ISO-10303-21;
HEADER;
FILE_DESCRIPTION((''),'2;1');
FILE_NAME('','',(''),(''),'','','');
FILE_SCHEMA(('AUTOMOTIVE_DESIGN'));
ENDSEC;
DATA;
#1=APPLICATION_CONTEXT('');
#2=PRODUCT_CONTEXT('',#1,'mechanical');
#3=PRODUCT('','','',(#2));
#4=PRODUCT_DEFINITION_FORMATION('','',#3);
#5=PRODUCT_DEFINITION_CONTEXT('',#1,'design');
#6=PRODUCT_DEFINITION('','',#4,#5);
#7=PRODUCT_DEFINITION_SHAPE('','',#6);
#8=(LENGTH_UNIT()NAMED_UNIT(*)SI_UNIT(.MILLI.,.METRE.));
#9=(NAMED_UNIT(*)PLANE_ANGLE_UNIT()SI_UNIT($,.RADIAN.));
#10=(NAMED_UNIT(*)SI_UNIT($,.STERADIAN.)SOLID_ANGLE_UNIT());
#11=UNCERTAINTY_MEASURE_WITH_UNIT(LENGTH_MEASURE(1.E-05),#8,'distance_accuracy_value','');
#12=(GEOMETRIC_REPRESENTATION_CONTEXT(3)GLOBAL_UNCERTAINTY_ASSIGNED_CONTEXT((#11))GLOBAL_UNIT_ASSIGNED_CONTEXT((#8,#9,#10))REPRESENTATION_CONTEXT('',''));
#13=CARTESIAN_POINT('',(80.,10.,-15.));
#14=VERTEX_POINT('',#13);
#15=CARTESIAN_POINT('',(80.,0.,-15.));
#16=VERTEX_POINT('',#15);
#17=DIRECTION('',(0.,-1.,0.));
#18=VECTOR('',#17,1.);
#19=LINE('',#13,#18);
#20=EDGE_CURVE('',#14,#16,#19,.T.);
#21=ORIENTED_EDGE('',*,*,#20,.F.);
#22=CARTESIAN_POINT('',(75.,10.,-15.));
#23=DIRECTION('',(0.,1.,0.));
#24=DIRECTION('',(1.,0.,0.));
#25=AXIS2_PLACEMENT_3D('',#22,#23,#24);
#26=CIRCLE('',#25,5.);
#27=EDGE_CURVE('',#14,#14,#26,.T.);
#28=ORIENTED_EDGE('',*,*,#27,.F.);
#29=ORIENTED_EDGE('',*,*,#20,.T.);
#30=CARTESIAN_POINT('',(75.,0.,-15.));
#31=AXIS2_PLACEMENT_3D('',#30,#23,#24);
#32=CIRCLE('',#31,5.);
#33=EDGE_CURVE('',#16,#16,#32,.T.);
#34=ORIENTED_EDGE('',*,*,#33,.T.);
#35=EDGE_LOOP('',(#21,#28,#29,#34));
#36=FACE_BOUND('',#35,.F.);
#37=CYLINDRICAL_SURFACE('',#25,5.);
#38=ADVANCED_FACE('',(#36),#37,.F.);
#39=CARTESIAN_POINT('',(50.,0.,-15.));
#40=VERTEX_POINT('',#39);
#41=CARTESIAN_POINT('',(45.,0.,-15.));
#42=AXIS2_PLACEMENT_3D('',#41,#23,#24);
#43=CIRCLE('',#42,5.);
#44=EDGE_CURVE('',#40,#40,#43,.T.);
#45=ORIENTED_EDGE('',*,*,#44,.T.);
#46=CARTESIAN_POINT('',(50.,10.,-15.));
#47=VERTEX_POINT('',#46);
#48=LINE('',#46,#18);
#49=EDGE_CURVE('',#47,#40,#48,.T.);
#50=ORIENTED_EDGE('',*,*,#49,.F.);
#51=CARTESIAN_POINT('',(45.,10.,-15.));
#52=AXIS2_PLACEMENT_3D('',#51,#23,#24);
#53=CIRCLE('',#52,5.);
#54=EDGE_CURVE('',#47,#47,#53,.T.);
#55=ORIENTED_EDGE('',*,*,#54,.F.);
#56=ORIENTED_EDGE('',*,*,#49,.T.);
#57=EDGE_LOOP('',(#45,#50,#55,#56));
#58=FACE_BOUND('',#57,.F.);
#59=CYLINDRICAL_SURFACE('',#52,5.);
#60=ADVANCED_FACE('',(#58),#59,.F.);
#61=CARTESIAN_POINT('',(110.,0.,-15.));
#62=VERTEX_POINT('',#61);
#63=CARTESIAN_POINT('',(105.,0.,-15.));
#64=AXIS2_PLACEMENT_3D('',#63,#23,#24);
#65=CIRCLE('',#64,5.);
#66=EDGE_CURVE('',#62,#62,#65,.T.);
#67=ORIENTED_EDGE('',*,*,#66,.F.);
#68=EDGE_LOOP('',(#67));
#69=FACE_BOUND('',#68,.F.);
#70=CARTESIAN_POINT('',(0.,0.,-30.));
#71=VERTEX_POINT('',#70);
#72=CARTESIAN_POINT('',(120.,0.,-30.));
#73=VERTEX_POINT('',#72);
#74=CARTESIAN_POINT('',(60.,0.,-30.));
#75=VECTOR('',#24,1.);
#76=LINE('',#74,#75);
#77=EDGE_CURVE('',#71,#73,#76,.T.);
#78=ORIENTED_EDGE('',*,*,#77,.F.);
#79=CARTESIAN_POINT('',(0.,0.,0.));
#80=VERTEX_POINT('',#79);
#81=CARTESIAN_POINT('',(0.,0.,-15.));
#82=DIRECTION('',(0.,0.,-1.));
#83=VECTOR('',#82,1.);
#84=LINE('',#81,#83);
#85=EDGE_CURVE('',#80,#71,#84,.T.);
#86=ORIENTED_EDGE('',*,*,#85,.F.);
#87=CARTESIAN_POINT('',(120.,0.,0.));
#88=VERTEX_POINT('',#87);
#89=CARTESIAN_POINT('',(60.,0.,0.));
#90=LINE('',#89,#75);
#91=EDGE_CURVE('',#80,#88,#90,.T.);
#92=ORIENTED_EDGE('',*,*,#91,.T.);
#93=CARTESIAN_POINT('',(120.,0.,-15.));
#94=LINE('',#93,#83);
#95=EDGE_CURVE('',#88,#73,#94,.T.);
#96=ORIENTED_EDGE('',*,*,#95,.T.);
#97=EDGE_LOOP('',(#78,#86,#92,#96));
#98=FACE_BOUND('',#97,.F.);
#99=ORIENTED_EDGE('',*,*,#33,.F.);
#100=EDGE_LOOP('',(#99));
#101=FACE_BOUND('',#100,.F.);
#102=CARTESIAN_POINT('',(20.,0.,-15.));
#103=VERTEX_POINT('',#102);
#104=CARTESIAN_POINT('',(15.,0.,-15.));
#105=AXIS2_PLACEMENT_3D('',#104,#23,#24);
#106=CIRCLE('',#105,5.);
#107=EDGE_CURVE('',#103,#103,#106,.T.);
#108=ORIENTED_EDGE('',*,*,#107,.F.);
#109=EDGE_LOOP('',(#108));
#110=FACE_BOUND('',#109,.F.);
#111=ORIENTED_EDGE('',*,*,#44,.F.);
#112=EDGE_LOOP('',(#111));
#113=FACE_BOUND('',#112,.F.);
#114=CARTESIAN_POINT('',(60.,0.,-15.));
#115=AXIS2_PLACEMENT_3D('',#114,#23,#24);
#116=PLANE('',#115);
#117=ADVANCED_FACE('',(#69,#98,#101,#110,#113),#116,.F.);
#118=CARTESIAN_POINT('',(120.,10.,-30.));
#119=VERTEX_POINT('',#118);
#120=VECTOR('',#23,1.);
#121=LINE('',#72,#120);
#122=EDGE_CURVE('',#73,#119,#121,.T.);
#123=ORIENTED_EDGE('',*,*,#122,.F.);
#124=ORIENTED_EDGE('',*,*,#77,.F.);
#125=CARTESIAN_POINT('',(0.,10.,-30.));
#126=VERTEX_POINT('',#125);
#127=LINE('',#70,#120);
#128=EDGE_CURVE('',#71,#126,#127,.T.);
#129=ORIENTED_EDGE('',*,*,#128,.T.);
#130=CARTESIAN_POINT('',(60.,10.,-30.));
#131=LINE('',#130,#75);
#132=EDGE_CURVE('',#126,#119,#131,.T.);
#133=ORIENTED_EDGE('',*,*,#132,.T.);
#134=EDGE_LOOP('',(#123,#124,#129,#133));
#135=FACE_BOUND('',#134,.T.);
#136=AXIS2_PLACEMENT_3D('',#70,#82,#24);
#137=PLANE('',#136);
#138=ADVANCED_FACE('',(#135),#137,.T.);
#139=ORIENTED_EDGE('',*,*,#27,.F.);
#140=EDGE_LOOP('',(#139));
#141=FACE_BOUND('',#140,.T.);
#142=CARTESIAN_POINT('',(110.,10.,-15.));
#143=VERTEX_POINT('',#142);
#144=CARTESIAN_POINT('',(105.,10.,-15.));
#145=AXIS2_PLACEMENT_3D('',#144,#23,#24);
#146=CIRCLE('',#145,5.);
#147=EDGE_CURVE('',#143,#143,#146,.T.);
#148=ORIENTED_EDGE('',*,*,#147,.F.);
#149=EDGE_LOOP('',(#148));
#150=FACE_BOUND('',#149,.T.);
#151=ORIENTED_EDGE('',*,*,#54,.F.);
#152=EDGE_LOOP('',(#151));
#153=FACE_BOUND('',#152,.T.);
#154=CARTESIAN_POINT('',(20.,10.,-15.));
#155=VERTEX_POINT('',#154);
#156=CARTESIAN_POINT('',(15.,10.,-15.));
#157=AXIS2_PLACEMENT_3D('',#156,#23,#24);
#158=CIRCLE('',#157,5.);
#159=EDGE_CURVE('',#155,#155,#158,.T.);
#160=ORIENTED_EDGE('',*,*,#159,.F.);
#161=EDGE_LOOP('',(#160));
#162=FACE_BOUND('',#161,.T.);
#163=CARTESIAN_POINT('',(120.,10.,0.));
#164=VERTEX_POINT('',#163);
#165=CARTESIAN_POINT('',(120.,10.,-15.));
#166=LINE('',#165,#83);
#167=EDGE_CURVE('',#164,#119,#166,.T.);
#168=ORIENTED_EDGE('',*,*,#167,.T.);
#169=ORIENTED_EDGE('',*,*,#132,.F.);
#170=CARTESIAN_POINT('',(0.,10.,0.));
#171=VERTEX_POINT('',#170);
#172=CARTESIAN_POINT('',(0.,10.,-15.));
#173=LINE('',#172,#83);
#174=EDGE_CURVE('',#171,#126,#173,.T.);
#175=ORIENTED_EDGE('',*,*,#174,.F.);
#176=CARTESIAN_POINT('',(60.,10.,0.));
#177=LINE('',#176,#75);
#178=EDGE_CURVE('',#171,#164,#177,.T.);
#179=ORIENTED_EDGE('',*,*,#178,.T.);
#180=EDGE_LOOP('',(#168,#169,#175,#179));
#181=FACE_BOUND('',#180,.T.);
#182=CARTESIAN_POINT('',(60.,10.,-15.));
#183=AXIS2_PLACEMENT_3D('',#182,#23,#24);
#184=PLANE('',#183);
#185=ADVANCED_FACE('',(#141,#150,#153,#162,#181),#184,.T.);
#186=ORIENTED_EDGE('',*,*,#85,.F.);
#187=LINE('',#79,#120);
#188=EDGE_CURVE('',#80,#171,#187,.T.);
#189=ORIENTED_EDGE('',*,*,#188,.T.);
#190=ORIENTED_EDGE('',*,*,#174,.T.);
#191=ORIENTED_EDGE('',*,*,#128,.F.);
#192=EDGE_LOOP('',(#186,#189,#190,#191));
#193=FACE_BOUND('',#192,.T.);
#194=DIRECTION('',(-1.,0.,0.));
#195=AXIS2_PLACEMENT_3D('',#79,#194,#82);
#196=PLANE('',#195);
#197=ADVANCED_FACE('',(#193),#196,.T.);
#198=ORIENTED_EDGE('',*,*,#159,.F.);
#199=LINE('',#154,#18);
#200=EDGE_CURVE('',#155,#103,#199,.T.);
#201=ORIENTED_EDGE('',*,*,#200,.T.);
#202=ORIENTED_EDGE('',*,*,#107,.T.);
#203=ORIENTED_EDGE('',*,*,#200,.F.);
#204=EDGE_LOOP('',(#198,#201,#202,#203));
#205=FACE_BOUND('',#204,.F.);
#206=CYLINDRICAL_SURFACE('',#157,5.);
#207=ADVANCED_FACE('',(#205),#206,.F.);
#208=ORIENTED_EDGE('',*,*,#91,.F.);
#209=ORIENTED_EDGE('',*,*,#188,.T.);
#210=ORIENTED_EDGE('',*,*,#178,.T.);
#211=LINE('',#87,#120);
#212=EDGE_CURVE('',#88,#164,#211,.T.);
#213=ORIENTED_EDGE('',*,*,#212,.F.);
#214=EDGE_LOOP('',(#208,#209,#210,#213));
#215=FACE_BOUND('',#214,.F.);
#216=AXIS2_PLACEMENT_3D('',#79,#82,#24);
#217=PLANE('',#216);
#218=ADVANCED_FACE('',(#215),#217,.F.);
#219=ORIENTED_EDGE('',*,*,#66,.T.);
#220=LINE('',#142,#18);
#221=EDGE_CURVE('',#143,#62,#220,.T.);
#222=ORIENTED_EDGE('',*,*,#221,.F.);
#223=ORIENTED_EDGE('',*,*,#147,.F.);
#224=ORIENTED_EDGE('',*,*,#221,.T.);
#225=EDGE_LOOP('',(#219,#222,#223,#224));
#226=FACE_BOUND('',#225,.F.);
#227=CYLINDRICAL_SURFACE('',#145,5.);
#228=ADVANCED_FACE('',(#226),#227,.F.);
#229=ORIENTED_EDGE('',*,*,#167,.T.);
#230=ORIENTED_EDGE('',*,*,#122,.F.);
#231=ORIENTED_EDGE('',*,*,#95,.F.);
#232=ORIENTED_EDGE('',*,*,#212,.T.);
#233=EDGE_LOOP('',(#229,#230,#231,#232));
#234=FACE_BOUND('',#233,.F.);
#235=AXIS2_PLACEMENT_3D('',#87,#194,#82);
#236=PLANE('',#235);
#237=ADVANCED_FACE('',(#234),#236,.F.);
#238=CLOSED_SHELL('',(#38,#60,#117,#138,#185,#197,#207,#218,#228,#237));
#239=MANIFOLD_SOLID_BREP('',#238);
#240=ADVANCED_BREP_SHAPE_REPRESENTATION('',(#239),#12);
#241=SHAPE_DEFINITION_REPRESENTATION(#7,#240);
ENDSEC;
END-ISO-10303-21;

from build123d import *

# Parameters (mm, degrees)
SKETCH1_W            = 120
SKETCH1_H            = 30
BOSS_EXTRUDE1_DEPTH  = 10
SKETCH2_R            = 5
CUT_EXTRUDE1_DEPTH   = 11
LPATTERN1_COUNT      = 4
LPATTERN1_PITCH      = 30
LPATTERN1_COUNT_DIR2 = 4
LPATTERN1_PITCH_DIR2 = 30


with BuildPart() as part:
    # Sketch1 → Boss-Extrude1 (new body)
    with BuildSketch(Plane(origin=(0, 0, 0), x_dir=(1, 0, 0), z_dir=(0, 1, 0))):
        with Locations((60, 15)):
            Rectangle(SKETCH1_W, SKETCH1_H)
    extrude(amount=BOSS_EXTRUDE1_DEPTH)

    # Sketch2 → Cut-Extrude1 (cut, through all)
    with BuildSketch(Plane(origin=(0, 10, 0), x_dir=(1, 0, 0), z_dir=(0, 1, 0))):
        with Locations((15, 15)):
            Circle(SKETCH2_R)
    cut_extrude1 = extrude(amount=-CUT_EXTRUDE1_DEPTH, mode=Mode.SUBTRACT)

    # LPattern1: Cut-Extrude1 4 × 4
    with Locations(*[(i * LPATTERN1_PITCH, 0, j * LPATTERN1_PITCH_DIR2) for i in range(LPATTERN1_COUNT) for j in range(LPATTERN1_COUNT_DIR2) if (i, j) != (0, 0)]):
        add(cut_extrude1, mode=Mode.SUBTRACT)


solid = part.part
